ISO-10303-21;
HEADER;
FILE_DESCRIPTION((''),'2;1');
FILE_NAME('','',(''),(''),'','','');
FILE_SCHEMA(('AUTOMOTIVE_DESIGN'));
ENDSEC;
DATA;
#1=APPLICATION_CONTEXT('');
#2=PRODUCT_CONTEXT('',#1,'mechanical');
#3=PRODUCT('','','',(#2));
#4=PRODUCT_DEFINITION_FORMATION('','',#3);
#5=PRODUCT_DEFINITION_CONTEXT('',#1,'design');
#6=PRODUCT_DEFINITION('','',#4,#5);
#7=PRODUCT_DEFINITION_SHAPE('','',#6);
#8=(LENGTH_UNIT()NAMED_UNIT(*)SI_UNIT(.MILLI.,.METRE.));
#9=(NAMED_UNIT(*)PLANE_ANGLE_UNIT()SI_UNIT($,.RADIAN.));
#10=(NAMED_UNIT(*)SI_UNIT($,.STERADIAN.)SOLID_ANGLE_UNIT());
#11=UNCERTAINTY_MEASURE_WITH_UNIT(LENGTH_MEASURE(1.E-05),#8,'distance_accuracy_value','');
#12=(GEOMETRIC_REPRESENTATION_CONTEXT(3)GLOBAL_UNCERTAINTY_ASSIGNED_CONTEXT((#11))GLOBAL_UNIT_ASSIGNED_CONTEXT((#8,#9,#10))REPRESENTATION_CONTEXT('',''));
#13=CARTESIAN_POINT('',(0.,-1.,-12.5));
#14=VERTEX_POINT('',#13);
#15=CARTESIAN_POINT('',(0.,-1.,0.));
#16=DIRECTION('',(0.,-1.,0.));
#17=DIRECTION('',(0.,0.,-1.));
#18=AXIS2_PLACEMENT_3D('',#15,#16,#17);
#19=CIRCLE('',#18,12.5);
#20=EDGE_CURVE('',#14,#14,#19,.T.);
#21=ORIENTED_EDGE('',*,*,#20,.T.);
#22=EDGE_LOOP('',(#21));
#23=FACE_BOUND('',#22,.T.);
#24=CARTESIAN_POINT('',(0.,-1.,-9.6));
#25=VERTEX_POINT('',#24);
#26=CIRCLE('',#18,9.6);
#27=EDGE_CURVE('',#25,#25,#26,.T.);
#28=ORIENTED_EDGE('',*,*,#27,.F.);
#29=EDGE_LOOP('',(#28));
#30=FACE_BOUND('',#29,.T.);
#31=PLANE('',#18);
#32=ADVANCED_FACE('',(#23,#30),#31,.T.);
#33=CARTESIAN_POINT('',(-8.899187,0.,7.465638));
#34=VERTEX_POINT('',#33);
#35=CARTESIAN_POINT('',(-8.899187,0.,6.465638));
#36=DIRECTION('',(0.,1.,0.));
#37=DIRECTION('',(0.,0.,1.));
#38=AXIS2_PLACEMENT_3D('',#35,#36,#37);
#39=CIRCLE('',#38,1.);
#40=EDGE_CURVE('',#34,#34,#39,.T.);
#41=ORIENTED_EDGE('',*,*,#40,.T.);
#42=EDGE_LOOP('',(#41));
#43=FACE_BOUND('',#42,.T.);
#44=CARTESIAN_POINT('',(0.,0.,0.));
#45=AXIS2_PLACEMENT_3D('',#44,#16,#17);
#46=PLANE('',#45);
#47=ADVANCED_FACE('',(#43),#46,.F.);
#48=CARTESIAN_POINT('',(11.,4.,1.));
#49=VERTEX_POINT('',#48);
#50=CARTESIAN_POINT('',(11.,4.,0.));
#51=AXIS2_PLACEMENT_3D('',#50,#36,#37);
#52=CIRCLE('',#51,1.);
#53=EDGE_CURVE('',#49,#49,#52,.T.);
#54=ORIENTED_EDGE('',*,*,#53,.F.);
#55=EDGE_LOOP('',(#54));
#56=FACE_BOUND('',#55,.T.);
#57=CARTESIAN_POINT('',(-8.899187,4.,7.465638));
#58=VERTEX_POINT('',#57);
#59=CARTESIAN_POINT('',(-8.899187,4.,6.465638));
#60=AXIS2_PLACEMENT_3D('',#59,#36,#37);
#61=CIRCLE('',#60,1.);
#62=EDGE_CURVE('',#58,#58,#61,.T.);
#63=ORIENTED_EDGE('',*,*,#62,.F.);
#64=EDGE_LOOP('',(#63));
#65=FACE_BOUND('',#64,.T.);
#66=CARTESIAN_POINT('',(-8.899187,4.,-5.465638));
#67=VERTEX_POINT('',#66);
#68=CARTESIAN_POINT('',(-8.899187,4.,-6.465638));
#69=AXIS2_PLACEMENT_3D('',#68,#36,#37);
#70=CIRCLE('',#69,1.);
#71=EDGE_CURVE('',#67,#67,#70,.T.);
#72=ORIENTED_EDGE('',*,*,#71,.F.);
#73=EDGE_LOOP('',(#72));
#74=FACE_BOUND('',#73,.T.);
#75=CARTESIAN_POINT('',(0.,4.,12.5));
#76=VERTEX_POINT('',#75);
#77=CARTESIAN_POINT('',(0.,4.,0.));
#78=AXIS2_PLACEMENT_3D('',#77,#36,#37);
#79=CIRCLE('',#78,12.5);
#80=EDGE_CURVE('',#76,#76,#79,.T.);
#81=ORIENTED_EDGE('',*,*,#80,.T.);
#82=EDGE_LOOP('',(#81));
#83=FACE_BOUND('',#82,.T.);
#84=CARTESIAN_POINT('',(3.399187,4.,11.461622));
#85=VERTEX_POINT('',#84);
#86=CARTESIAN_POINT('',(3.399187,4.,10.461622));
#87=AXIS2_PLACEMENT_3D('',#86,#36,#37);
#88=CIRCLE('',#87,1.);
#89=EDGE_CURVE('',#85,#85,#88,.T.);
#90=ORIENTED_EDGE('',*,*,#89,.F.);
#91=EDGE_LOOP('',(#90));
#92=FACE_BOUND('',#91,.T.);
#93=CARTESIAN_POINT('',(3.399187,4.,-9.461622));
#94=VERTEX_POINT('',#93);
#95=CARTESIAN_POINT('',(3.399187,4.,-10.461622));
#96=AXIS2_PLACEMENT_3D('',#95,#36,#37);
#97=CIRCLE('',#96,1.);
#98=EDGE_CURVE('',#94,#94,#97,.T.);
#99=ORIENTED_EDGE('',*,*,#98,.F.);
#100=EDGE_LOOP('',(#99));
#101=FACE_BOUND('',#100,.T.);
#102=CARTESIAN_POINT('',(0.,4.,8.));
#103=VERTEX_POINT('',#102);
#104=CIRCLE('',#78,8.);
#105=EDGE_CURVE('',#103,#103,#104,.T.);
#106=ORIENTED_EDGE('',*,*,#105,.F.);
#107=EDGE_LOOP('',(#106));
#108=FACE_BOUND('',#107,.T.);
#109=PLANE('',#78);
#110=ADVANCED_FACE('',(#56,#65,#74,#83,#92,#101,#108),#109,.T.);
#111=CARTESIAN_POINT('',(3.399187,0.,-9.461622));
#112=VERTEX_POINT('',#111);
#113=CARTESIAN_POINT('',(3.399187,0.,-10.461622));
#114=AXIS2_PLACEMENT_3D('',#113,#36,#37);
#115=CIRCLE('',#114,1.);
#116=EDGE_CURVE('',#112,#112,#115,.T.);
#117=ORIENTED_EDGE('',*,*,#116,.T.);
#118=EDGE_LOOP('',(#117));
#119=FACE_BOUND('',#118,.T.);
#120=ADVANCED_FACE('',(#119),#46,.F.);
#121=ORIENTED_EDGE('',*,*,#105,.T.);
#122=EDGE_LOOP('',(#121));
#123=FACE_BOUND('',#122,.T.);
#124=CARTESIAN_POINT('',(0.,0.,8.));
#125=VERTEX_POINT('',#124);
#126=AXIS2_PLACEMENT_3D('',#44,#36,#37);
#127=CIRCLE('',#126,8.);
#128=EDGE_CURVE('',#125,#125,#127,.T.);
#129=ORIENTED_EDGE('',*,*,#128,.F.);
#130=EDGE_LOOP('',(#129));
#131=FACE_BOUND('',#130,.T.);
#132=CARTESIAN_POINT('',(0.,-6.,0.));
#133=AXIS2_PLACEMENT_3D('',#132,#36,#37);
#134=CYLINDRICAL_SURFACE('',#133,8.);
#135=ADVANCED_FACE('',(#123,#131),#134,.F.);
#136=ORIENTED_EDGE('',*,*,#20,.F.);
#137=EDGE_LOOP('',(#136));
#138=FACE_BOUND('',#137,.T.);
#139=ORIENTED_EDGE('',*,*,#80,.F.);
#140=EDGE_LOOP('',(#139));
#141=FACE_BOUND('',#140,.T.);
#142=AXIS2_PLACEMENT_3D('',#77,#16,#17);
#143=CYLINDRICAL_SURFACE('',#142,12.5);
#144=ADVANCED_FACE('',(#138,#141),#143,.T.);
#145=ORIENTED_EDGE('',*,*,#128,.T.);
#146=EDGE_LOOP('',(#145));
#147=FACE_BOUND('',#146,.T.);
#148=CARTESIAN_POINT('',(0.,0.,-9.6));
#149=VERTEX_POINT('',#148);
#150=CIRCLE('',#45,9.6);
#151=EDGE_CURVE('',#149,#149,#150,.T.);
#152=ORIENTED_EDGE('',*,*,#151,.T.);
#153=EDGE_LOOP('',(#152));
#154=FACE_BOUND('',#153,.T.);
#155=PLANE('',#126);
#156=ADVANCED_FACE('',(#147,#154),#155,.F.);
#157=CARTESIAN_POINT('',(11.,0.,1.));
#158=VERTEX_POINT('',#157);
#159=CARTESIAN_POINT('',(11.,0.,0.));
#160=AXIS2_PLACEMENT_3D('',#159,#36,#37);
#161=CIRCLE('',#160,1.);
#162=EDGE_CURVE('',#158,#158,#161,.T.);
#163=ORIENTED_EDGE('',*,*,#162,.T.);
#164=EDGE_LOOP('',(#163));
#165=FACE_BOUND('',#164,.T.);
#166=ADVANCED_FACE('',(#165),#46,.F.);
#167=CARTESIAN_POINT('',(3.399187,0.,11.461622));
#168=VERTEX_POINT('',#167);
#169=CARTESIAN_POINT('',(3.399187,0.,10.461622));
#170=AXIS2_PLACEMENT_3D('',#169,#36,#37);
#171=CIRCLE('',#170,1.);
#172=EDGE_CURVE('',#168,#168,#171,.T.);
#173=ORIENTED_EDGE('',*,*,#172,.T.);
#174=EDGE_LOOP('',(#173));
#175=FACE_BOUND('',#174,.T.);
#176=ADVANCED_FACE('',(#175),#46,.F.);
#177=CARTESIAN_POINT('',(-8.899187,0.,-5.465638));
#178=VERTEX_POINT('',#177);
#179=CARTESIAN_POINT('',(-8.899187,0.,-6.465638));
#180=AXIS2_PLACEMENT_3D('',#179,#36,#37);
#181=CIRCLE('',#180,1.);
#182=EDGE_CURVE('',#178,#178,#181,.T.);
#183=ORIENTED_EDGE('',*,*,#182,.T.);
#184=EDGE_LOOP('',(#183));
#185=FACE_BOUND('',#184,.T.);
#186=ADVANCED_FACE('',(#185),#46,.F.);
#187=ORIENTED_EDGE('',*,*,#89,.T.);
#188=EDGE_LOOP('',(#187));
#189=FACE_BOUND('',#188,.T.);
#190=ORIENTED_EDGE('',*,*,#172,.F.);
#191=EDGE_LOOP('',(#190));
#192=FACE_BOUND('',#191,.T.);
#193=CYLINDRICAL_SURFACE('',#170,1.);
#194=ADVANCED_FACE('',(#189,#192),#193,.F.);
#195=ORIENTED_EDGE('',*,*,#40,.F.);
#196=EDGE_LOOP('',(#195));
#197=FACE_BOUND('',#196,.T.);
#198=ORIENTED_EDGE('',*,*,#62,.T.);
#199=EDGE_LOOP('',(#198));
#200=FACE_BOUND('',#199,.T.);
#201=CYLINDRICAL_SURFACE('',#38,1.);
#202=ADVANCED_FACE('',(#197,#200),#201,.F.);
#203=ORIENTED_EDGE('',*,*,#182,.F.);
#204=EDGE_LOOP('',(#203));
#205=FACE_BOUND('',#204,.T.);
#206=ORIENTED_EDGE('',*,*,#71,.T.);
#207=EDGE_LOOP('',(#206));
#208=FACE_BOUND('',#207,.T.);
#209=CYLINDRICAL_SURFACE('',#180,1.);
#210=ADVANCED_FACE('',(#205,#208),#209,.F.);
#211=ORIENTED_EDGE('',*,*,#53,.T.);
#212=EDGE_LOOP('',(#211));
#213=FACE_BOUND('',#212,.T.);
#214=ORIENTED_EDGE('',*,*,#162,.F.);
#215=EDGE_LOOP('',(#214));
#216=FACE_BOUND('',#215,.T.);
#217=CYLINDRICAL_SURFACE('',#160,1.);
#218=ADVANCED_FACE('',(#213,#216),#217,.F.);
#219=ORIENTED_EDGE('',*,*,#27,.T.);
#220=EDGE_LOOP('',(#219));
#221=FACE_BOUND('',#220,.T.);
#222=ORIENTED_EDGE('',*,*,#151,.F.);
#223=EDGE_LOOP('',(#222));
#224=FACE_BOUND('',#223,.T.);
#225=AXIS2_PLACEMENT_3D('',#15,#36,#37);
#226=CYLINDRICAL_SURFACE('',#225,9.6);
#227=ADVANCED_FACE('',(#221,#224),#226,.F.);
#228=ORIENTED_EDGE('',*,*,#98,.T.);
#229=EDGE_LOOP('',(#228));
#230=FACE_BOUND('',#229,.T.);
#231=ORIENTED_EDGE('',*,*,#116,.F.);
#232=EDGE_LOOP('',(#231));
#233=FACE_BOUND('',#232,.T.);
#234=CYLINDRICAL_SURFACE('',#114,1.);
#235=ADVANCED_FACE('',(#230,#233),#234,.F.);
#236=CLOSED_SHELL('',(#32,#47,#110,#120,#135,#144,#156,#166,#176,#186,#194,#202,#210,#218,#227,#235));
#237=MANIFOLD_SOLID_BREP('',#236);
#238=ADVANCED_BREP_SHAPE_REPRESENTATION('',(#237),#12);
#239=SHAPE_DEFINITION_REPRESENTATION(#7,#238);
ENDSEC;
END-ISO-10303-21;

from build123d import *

# Parameters (mm, degrees)
SKETCH_1_R          = 12.5
EXTRUDE_1_DEPTH     = 4
SKETCH_2_R          = 1
EXTRUDE_2_DEPTH     = 7.5
SKETCH_5_R          = 6
CUT_EXTRUDE_1_DEPTH = 10
SKETCH_7_R          = 1
CUT_EXTRUDE_2_DEPTH = 7.5
SKETCH_8_R          = 12.5
SKETCH_8_R_2        = 6
CUT_EXTRUDE_3_DEPTH = 10
SKETCH_9_R          = 1
EXTRUDE_3_DEPTH     = 10
SKETCH_10_R         = 1
CUT_EXTRUDE_4_DEPTH = 14
SKETCH_11_R         = 8
CUT_EXTRUDE_5_DEPTH = 10
SKETCH_13_R         = 12.5
SKETCH_13_R_2       = 9.6
EXTRUDE_5_DEPTH     = 1


with BuildPart() as part:
    # 草图1 → 凸台-拉伸1 (new body)
    with BuildSketch(Plane(origin=(0, 0, 0), x_dir=(1, 0, 0), z_dir=(0, 1, 0))):
        Circle(SKETCH_1_R)
    extrude(amount=EXTRUDE_1_DEPTH)

    # 草图2 → 凸台-拉伸2 (add)
    with BuildSketch(Plane(origin=(0, 4, 0), x_dir=(1, 0, 0), z_dir=(0, 1, 0))):
        with Locations((10, 0)):
            Circle(SKETCH_2_R)
        with Locations((3.399186938, -10.461621679)):
            Circle(SKETCH_2_R)
        with Locations((-8.590169944, -7.416694292)):
            Circle(SKETCH_2_R)
        with Locations((-9.399186938, 4.926796007)):
            Circle(SKETCH_2_R)
        with Locations((2.090169944, 9.510565163)):
            Circle(SKETCH_2_R)
    extrude(amount=EXTRUDE_2_DEPTH)

    # 草图5 → 切除-拉伸1 (cut)
    with BuildSketch(Plane(origin=(0, 4, 0), x_dir=(1, 0, 0), z_dir=(0, 1, 0))):
        Circle(SKETCH_5_R)
    extrude(amount=-CUT_EXTRUDE_1_DEPTH, mode=Mode.SUBTRACT)

    # 草图7 → 切除-拉伸2 (cut)
    with BuildSketch(Plane(origin=(0, 11.5, 0), x_dir=(1, 0, 0), z_dir=(0, 1, 0))):
        with Locations((-9.399186938, 4.926796007)):
            Circle(SKETCH_7_R)
    extrude(amount=-CUT_EXTRUDE_2_DEPTH, mode=Mode.SUBTRACT)

    # 草图8 → 切除-拉伸3 (cut)
    with BuildSketch(Plane(origin=(0, 4, 0), x_dir=(1, 0, 0), z_dir=(0, 1, 0))):
        Circle(SKETCH_8_R)
        Circle(SKETCH_8_R_2, mode=Mode.SUBTRACT)
    extrude(amount=CUT_EXTRUDE_3_DEPTH, mode=Mode.SUBTRACT)

    # 草图9 → 凸台-拉伸3 (add)
    with BuildSketch(Plane(origin=(0, 4, 0), x_dir=(1, 0, 0), z_dir=(0, 1, 0))):
        with Locations((11, 0)):
            Circle(SKETCH_9_R)
        with Locations((3.399186938, -10.461621679)):
            Circle(SKETCH_9_R)
        with Locations((-8.899186938, -6.465637775)):
            Circle(SKETCH_9_R)
        with Locations((-8.899186938, 6.465637775)):
            Circle(SKETCH_9_R)
        with Locations((3.399186938, 10.461621679)):
            Circle(SKETCH_9_R)
    extrude(amount=EXTRUDE_3_DEPTH)

    # 草图10 → 切除-拉伸4 (cut)
    with BuildSketch(Plane(origin=(0, 14, 0), x_dir=(1, 0, 0), z_dir=(0, 1, 0))):
        with Locations((-8.899186938, -6.465637775)):
            Circle(SKETCH_10_R)
        with Locations((3.399186938, -10.461621679)):
            Circle(SKETCH_10_R)
        with Locations((11, 0)):
            Circle(SKETCH_10_R)
        with Locations((3.399186938, 10.461621679)):
            Circle(SKETCH_10_R)
        with Locations((-8.899186938, 6.465637775)):
            Circle(SKETCH_10_R)
    extrude(amount=-CUT_EXTRUDE_4_DEPTH, mode=Mode.SUBTRACT)

    # 草图11 → 切除-拉伸5 (cut)
    with BuildSketch(Plane(origin=(0, 4, 0), x_dir=(1, 0, 0), z_dir=(0, 1, 0))):
        Circle(SKETCH_11_R)
    extrude(amount=-CUT_EXTRUDE_5_DEPTH, mode=Mode.SUBTRACT)

    # 草图13 → 凸台-拉伸5 (add)
    with BuildSketch(Plane.XZ):
        Circle(SKETCH_13_R)
        Circle(SKETCH_13_R_2, mode=Mode.SUBTRACT)
    extrude(amount=EXTRUDE_5_DEPTH)


solid = part.part
